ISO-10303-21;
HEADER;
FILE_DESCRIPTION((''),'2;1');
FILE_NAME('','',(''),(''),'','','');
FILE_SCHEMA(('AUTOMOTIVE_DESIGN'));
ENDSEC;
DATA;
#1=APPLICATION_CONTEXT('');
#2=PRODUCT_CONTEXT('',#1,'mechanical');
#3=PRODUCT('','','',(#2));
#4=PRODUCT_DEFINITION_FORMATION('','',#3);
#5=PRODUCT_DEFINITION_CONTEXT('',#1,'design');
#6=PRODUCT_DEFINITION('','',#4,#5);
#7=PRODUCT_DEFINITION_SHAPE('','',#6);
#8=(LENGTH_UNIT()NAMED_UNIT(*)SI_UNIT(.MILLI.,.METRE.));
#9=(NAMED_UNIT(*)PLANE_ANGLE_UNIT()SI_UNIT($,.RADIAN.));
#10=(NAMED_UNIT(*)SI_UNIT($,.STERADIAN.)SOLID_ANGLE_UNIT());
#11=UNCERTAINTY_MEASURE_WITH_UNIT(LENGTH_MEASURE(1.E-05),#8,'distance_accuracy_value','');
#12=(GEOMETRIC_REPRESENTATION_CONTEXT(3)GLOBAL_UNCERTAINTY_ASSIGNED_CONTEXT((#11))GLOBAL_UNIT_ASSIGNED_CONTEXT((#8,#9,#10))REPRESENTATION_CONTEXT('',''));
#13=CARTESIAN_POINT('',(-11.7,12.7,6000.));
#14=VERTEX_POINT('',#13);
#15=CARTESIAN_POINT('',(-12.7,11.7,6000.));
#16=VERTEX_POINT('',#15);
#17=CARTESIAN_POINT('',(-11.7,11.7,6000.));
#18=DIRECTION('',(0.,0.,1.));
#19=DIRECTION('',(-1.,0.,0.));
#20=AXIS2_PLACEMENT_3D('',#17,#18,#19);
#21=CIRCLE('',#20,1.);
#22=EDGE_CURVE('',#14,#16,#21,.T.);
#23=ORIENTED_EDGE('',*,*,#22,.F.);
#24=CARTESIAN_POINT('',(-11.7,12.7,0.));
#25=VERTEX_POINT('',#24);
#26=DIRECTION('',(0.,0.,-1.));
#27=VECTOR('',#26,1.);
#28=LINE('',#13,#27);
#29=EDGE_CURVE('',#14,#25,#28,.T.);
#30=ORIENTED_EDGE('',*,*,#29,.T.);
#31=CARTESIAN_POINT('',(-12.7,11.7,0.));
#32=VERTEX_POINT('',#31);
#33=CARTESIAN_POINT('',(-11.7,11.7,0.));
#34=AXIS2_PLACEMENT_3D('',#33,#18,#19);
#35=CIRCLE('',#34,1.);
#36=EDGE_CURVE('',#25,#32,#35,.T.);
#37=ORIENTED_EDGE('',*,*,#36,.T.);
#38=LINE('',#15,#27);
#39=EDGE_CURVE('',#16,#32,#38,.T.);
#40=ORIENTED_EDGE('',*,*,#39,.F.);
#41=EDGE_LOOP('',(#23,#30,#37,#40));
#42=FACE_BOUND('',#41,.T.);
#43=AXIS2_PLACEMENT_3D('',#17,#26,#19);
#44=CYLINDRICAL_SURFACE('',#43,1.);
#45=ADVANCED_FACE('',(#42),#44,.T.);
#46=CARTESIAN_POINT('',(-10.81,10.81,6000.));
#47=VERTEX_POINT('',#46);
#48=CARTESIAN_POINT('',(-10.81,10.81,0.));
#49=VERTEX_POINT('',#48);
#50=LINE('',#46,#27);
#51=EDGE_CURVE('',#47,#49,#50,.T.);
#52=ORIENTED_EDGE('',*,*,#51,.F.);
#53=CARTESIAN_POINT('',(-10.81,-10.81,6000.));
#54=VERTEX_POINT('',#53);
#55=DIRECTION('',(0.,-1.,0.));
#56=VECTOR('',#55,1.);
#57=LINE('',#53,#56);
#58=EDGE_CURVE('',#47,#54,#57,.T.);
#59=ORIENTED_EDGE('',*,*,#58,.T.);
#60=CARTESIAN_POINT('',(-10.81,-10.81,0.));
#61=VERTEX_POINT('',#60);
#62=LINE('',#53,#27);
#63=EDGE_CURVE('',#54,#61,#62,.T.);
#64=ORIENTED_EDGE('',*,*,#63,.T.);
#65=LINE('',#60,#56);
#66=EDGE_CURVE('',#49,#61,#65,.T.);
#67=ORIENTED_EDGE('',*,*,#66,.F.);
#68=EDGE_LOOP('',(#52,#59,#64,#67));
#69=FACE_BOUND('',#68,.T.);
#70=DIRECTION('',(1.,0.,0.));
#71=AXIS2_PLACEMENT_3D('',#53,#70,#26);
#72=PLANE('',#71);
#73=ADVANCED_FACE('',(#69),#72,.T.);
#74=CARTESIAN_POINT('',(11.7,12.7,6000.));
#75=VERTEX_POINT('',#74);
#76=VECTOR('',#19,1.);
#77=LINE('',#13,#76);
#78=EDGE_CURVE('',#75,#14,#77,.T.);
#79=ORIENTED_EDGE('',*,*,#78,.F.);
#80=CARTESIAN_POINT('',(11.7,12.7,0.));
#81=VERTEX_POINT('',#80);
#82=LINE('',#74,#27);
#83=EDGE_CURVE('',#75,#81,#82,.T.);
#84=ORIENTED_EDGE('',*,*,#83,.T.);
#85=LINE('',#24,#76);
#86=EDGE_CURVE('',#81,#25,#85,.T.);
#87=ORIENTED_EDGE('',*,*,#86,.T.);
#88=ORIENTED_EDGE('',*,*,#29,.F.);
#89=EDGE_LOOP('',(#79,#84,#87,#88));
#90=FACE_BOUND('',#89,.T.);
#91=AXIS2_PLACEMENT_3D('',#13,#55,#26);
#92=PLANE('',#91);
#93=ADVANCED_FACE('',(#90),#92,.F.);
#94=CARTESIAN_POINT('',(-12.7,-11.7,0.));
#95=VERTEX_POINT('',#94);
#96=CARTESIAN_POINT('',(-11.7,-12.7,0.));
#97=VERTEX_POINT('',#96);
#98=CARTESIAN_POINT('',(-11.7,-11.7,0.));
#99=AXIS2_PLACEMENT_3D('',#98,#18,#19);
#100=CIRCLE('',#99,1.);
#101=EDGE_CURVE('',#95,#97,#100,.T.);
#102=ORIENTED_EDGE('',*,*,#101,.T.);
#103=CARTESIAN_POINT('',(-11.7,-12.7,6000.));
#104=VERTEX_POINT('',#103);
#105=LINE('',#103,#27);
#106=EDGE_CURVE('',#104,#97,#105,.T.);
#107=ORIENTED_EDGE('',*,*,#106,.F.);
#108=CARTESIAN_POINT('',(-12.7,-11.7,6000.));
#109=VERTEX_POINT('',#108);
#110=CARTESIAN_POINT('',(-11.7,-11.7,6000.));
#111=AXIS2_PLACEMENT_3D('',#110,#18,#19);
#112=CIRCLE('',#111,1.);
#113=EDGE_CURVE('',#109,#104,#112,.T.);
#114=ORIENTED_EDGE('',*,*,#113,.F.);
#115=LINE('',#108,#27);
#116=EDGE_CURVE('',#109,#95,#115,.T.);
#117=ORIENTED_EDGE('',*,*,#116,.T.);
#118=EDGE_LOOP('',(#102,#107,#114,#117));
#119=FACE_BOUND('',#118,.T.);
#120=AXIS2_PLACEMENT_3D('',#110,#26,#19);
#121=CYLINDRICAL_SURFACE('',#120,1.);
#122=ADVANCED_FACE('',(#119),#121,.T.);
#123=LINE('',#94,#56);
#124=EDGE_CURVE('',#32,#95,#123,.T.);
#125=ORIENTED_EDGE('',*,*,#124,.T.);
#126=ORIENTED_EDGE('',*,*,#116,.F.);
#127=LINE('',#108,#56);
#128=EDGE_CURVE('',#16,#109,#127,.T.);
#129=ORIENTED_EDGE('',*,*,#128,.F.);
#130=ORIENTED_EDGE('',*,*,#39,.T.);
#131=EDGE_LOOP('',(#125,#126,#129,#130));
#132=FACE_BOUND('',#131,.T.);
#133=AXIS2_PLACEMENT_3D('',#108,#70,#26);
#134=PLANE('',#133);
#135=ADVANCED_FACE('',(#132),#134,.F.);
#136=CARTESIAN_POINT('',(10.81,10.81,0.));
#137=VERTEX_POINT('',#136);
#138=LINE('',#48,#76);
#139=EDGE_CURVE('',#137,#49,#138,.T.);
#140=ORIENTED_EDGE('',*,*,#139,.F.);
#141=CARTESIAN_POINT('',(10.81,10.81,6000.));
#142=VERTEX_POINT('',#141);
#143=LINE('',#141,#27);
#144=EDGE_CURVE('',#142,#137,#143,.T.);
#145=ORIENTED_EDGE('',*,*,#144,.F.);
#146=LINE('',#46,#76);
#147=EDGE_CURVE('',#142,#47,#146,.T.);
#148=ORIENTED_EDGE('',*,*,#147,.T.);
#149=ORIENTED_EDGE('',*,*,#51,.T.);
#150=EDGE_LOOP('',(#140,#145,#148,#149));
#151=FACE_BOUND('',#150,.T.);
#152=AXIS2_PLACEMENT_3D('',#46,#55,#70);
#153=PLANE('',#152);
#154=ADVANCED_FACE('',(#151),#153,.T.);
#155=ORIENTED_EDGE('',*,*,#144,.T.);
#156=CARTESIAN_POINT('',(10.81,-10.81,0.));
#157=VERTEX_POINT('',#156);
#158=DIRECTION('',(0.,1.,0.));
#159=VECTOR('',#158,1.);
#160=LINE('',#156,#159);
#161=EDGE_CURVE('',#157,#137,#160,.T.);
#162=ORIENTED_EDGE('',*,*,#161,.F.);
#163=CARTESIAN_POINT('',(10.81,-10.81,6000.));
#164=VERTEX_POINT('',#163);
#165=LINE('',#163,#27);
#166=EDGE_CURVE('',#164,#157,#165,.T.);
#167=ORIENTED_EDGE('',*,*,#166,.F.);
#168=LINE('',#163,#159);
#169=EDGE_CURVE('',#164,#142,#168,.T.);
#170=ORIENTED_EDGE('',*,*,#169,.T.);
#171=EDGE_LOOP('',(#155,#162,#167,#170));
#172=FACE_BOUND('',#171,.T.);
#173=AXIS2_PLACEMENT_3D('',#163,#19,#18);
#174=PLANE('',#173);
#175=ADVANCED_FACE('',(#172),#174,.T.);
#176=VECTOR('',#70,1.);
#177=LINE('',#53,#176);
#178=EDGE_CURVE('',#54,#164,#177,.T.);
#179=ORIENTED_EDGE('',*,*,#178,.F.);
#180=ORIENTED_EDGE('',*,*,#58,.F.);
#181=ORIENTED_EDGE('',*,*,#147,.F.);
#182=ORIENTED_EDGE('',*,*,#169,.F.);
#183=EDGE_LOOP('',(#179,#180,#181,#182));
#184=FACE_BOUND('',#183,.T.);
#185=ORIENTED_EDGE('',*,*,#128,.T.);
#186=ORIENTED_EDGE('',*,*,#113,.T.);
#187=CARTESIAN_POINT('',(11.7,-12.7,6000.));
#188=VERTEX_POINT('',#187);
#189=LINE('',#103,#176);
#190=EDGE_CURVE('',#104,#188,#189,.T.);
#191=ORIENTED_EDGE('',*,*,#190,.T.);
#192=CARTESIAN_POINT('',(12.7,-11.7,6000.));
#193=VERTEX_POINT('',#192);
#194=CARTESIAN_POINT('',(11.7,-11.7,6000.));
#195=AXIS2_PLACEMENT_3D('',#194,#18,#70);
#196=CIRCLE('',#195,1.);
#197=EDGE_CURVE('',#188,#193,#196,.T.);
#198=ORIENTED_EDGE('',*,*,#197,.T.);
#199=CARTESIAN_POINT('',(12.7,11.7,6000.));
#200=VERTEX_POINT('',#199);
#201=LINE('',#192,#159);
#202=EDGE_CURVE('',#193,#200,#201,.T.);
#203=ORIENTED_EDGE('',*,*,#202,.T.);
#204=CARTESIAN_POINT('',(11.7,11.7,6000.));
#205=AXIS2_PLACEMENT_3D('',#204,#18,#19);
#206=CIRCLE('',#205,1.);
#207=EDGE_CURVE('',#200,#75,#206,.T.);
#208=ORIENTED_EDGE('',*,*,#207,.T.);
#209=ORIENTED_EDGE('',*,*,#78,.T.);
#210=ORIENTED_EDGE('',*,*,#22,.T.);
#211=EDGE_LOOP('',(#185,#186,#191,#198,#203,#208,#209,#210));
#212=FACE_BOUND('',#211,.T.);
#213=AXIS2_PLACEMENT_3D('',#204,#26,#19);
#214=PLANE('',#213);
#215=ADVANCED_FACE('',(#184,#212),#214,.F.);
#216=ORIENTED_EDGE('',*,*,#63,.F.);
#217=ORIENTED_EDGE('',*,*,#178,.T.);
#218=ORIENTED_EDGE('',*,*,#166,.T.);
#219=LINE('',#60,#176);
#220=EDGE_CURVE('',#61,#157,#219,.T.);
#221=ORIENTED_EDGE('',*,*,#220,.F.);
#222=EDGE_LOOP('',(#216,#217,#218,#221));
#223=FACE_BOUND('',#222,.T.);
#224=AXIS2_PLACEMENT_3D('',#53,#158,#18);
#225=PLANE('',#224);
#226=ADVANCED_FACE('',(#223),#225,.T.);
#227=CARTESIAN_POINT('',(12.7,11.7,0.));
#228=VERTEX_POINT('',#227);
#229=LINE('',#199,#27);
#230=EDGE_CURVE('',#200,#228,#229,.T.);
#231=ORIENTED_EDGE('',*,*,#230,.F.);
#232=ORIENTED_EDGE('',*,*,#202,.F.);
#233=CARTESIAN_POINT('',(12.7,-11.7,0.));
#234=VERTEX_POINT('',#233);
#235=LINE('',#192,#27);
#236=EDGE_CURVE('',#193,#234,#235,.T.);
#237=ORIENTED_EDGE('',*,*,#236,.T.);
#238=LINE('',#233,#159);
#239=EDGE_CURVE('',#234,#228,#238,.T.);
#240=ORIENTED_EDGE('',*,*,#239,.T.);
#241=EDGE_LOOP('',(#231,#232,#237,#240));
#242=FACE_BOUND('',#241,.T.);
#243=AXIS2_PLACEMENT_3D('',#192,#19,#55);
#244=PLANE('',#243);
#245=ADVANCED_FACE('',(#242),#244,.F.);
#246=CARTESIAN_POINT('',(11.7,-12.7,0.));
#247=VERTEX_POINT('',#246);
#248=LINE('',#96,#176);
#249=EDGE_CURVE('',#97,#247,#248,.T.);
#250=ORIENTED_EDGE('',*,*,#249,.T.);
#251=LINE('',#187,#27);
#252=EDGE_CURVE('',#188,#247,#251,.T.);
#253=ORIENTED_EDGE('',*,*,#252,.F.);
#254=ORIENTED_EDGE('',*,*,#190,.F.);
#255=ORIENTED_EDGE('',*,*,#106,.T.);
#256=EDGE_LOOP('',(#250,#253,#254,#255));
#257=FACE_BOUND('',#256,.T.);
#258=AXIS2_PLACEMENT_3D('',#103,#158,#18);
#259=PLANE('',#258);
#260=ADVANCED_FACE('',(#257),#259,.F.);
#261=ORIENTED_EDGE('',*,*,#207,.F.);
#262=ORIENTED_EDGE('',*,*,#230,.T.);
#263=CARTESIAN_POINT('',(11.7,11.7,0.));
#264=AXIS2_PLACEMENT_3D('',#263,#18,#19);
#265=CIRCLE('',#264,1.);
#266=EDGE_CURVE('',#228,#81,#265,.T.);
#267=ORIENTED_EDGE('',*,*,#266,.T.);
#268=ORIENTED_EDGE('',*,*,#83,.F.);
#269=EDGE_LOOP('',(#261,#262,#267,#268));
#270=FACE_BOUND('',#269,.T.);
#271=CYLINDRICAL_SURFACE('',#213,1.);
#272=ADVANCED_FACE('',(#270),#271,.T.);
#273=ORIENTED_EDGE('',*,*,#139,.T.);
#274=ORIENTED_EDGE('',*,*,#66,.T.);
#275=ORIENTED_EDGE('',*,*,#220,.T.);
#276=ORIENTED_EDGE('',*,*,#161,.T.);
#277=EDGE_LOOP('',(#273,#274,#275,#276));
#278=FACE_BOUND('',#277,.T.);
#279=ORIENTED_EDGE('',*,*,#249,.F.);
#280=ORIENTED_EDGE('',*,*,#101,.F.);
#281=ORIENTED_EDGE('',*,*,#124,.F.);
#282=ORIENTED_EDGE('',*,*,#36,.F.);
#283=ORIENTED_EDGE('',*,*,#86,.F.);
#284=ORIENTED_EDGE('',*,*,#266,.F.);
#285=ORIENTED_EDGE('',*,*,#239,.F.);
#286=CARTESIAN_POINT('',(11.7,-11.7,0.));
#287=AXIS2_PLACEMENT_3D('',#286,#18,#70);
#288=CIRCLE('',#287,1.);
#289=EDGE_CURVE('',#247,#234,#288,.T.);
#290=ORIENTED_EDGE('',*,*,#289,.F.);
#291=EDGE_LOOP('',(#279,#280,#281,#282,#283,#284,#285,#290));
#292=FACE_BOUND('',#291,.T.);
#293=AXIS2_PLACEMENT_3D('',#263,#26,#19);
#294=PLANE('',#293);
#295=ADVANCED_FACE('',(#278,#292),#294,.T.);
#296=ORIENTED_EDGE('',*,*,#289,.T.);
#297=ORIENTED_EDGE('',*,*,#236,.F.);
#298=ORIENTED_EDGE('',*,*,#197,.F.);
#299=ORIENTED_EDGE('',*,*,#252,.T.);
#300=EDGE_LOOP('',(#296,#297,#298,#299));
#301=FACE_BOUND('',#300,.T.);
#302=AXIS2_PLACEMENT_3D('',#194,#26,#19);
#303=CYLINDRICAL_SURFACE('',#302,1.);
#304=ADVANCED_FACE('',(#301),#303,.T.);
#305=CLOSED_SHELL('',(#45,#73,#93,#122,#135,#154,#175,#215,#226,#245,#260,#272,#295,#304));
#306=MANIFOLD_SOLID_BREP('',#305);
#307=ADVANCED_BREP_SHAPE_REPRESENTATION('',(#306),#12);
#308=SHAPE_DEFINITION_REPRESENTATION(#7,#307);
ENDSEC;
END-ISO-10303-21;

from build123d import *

# Parameters (mm, degrees)
CROQUIS1_W              = 21.62
CROQUIS1_H              = 21.62
SALIENTE_EXTRUIR1_DEPTH = 6000


with BuildPart() as part:
    # Croquis1 → Saliente-Extruir1 (new body)
    with BuildSketch(Plane.XY):
        with BuildLine():
            Line((-11.7, -12.7), (11.7, -12.7))
            ThreePointArc((11.7, -12.7), (12.407106781, -12.407106781), (12.7, -11.7))
            Line((12.7, -11.7), (12.7, 11.7))
            ThreePointArc((12.7, 11.7), (12.407106781, 12.407106781), (11.7, 12.7))
            Line((11.7, 12.7), (-11.7, 12.7))
            ThreePointArc((-11.7, 12.7), (-12.407106781, 12.407106781), (-12.7, 11.7))
            Line((-12.7, 11.7), (-12.7, -11.7))
            ThreePointArc((-12.7, -11.7), (-12.407106781, -12.407106781), (-11.7, -12.7))
        make_face()
        Rectangle(CROQUIS1_W, CROQUIS1_H, mode=Mode.SUBTRACT)
    extrude(amount=SALIENTE_EXTRUIR1_DEPTH)


solid = part.part
